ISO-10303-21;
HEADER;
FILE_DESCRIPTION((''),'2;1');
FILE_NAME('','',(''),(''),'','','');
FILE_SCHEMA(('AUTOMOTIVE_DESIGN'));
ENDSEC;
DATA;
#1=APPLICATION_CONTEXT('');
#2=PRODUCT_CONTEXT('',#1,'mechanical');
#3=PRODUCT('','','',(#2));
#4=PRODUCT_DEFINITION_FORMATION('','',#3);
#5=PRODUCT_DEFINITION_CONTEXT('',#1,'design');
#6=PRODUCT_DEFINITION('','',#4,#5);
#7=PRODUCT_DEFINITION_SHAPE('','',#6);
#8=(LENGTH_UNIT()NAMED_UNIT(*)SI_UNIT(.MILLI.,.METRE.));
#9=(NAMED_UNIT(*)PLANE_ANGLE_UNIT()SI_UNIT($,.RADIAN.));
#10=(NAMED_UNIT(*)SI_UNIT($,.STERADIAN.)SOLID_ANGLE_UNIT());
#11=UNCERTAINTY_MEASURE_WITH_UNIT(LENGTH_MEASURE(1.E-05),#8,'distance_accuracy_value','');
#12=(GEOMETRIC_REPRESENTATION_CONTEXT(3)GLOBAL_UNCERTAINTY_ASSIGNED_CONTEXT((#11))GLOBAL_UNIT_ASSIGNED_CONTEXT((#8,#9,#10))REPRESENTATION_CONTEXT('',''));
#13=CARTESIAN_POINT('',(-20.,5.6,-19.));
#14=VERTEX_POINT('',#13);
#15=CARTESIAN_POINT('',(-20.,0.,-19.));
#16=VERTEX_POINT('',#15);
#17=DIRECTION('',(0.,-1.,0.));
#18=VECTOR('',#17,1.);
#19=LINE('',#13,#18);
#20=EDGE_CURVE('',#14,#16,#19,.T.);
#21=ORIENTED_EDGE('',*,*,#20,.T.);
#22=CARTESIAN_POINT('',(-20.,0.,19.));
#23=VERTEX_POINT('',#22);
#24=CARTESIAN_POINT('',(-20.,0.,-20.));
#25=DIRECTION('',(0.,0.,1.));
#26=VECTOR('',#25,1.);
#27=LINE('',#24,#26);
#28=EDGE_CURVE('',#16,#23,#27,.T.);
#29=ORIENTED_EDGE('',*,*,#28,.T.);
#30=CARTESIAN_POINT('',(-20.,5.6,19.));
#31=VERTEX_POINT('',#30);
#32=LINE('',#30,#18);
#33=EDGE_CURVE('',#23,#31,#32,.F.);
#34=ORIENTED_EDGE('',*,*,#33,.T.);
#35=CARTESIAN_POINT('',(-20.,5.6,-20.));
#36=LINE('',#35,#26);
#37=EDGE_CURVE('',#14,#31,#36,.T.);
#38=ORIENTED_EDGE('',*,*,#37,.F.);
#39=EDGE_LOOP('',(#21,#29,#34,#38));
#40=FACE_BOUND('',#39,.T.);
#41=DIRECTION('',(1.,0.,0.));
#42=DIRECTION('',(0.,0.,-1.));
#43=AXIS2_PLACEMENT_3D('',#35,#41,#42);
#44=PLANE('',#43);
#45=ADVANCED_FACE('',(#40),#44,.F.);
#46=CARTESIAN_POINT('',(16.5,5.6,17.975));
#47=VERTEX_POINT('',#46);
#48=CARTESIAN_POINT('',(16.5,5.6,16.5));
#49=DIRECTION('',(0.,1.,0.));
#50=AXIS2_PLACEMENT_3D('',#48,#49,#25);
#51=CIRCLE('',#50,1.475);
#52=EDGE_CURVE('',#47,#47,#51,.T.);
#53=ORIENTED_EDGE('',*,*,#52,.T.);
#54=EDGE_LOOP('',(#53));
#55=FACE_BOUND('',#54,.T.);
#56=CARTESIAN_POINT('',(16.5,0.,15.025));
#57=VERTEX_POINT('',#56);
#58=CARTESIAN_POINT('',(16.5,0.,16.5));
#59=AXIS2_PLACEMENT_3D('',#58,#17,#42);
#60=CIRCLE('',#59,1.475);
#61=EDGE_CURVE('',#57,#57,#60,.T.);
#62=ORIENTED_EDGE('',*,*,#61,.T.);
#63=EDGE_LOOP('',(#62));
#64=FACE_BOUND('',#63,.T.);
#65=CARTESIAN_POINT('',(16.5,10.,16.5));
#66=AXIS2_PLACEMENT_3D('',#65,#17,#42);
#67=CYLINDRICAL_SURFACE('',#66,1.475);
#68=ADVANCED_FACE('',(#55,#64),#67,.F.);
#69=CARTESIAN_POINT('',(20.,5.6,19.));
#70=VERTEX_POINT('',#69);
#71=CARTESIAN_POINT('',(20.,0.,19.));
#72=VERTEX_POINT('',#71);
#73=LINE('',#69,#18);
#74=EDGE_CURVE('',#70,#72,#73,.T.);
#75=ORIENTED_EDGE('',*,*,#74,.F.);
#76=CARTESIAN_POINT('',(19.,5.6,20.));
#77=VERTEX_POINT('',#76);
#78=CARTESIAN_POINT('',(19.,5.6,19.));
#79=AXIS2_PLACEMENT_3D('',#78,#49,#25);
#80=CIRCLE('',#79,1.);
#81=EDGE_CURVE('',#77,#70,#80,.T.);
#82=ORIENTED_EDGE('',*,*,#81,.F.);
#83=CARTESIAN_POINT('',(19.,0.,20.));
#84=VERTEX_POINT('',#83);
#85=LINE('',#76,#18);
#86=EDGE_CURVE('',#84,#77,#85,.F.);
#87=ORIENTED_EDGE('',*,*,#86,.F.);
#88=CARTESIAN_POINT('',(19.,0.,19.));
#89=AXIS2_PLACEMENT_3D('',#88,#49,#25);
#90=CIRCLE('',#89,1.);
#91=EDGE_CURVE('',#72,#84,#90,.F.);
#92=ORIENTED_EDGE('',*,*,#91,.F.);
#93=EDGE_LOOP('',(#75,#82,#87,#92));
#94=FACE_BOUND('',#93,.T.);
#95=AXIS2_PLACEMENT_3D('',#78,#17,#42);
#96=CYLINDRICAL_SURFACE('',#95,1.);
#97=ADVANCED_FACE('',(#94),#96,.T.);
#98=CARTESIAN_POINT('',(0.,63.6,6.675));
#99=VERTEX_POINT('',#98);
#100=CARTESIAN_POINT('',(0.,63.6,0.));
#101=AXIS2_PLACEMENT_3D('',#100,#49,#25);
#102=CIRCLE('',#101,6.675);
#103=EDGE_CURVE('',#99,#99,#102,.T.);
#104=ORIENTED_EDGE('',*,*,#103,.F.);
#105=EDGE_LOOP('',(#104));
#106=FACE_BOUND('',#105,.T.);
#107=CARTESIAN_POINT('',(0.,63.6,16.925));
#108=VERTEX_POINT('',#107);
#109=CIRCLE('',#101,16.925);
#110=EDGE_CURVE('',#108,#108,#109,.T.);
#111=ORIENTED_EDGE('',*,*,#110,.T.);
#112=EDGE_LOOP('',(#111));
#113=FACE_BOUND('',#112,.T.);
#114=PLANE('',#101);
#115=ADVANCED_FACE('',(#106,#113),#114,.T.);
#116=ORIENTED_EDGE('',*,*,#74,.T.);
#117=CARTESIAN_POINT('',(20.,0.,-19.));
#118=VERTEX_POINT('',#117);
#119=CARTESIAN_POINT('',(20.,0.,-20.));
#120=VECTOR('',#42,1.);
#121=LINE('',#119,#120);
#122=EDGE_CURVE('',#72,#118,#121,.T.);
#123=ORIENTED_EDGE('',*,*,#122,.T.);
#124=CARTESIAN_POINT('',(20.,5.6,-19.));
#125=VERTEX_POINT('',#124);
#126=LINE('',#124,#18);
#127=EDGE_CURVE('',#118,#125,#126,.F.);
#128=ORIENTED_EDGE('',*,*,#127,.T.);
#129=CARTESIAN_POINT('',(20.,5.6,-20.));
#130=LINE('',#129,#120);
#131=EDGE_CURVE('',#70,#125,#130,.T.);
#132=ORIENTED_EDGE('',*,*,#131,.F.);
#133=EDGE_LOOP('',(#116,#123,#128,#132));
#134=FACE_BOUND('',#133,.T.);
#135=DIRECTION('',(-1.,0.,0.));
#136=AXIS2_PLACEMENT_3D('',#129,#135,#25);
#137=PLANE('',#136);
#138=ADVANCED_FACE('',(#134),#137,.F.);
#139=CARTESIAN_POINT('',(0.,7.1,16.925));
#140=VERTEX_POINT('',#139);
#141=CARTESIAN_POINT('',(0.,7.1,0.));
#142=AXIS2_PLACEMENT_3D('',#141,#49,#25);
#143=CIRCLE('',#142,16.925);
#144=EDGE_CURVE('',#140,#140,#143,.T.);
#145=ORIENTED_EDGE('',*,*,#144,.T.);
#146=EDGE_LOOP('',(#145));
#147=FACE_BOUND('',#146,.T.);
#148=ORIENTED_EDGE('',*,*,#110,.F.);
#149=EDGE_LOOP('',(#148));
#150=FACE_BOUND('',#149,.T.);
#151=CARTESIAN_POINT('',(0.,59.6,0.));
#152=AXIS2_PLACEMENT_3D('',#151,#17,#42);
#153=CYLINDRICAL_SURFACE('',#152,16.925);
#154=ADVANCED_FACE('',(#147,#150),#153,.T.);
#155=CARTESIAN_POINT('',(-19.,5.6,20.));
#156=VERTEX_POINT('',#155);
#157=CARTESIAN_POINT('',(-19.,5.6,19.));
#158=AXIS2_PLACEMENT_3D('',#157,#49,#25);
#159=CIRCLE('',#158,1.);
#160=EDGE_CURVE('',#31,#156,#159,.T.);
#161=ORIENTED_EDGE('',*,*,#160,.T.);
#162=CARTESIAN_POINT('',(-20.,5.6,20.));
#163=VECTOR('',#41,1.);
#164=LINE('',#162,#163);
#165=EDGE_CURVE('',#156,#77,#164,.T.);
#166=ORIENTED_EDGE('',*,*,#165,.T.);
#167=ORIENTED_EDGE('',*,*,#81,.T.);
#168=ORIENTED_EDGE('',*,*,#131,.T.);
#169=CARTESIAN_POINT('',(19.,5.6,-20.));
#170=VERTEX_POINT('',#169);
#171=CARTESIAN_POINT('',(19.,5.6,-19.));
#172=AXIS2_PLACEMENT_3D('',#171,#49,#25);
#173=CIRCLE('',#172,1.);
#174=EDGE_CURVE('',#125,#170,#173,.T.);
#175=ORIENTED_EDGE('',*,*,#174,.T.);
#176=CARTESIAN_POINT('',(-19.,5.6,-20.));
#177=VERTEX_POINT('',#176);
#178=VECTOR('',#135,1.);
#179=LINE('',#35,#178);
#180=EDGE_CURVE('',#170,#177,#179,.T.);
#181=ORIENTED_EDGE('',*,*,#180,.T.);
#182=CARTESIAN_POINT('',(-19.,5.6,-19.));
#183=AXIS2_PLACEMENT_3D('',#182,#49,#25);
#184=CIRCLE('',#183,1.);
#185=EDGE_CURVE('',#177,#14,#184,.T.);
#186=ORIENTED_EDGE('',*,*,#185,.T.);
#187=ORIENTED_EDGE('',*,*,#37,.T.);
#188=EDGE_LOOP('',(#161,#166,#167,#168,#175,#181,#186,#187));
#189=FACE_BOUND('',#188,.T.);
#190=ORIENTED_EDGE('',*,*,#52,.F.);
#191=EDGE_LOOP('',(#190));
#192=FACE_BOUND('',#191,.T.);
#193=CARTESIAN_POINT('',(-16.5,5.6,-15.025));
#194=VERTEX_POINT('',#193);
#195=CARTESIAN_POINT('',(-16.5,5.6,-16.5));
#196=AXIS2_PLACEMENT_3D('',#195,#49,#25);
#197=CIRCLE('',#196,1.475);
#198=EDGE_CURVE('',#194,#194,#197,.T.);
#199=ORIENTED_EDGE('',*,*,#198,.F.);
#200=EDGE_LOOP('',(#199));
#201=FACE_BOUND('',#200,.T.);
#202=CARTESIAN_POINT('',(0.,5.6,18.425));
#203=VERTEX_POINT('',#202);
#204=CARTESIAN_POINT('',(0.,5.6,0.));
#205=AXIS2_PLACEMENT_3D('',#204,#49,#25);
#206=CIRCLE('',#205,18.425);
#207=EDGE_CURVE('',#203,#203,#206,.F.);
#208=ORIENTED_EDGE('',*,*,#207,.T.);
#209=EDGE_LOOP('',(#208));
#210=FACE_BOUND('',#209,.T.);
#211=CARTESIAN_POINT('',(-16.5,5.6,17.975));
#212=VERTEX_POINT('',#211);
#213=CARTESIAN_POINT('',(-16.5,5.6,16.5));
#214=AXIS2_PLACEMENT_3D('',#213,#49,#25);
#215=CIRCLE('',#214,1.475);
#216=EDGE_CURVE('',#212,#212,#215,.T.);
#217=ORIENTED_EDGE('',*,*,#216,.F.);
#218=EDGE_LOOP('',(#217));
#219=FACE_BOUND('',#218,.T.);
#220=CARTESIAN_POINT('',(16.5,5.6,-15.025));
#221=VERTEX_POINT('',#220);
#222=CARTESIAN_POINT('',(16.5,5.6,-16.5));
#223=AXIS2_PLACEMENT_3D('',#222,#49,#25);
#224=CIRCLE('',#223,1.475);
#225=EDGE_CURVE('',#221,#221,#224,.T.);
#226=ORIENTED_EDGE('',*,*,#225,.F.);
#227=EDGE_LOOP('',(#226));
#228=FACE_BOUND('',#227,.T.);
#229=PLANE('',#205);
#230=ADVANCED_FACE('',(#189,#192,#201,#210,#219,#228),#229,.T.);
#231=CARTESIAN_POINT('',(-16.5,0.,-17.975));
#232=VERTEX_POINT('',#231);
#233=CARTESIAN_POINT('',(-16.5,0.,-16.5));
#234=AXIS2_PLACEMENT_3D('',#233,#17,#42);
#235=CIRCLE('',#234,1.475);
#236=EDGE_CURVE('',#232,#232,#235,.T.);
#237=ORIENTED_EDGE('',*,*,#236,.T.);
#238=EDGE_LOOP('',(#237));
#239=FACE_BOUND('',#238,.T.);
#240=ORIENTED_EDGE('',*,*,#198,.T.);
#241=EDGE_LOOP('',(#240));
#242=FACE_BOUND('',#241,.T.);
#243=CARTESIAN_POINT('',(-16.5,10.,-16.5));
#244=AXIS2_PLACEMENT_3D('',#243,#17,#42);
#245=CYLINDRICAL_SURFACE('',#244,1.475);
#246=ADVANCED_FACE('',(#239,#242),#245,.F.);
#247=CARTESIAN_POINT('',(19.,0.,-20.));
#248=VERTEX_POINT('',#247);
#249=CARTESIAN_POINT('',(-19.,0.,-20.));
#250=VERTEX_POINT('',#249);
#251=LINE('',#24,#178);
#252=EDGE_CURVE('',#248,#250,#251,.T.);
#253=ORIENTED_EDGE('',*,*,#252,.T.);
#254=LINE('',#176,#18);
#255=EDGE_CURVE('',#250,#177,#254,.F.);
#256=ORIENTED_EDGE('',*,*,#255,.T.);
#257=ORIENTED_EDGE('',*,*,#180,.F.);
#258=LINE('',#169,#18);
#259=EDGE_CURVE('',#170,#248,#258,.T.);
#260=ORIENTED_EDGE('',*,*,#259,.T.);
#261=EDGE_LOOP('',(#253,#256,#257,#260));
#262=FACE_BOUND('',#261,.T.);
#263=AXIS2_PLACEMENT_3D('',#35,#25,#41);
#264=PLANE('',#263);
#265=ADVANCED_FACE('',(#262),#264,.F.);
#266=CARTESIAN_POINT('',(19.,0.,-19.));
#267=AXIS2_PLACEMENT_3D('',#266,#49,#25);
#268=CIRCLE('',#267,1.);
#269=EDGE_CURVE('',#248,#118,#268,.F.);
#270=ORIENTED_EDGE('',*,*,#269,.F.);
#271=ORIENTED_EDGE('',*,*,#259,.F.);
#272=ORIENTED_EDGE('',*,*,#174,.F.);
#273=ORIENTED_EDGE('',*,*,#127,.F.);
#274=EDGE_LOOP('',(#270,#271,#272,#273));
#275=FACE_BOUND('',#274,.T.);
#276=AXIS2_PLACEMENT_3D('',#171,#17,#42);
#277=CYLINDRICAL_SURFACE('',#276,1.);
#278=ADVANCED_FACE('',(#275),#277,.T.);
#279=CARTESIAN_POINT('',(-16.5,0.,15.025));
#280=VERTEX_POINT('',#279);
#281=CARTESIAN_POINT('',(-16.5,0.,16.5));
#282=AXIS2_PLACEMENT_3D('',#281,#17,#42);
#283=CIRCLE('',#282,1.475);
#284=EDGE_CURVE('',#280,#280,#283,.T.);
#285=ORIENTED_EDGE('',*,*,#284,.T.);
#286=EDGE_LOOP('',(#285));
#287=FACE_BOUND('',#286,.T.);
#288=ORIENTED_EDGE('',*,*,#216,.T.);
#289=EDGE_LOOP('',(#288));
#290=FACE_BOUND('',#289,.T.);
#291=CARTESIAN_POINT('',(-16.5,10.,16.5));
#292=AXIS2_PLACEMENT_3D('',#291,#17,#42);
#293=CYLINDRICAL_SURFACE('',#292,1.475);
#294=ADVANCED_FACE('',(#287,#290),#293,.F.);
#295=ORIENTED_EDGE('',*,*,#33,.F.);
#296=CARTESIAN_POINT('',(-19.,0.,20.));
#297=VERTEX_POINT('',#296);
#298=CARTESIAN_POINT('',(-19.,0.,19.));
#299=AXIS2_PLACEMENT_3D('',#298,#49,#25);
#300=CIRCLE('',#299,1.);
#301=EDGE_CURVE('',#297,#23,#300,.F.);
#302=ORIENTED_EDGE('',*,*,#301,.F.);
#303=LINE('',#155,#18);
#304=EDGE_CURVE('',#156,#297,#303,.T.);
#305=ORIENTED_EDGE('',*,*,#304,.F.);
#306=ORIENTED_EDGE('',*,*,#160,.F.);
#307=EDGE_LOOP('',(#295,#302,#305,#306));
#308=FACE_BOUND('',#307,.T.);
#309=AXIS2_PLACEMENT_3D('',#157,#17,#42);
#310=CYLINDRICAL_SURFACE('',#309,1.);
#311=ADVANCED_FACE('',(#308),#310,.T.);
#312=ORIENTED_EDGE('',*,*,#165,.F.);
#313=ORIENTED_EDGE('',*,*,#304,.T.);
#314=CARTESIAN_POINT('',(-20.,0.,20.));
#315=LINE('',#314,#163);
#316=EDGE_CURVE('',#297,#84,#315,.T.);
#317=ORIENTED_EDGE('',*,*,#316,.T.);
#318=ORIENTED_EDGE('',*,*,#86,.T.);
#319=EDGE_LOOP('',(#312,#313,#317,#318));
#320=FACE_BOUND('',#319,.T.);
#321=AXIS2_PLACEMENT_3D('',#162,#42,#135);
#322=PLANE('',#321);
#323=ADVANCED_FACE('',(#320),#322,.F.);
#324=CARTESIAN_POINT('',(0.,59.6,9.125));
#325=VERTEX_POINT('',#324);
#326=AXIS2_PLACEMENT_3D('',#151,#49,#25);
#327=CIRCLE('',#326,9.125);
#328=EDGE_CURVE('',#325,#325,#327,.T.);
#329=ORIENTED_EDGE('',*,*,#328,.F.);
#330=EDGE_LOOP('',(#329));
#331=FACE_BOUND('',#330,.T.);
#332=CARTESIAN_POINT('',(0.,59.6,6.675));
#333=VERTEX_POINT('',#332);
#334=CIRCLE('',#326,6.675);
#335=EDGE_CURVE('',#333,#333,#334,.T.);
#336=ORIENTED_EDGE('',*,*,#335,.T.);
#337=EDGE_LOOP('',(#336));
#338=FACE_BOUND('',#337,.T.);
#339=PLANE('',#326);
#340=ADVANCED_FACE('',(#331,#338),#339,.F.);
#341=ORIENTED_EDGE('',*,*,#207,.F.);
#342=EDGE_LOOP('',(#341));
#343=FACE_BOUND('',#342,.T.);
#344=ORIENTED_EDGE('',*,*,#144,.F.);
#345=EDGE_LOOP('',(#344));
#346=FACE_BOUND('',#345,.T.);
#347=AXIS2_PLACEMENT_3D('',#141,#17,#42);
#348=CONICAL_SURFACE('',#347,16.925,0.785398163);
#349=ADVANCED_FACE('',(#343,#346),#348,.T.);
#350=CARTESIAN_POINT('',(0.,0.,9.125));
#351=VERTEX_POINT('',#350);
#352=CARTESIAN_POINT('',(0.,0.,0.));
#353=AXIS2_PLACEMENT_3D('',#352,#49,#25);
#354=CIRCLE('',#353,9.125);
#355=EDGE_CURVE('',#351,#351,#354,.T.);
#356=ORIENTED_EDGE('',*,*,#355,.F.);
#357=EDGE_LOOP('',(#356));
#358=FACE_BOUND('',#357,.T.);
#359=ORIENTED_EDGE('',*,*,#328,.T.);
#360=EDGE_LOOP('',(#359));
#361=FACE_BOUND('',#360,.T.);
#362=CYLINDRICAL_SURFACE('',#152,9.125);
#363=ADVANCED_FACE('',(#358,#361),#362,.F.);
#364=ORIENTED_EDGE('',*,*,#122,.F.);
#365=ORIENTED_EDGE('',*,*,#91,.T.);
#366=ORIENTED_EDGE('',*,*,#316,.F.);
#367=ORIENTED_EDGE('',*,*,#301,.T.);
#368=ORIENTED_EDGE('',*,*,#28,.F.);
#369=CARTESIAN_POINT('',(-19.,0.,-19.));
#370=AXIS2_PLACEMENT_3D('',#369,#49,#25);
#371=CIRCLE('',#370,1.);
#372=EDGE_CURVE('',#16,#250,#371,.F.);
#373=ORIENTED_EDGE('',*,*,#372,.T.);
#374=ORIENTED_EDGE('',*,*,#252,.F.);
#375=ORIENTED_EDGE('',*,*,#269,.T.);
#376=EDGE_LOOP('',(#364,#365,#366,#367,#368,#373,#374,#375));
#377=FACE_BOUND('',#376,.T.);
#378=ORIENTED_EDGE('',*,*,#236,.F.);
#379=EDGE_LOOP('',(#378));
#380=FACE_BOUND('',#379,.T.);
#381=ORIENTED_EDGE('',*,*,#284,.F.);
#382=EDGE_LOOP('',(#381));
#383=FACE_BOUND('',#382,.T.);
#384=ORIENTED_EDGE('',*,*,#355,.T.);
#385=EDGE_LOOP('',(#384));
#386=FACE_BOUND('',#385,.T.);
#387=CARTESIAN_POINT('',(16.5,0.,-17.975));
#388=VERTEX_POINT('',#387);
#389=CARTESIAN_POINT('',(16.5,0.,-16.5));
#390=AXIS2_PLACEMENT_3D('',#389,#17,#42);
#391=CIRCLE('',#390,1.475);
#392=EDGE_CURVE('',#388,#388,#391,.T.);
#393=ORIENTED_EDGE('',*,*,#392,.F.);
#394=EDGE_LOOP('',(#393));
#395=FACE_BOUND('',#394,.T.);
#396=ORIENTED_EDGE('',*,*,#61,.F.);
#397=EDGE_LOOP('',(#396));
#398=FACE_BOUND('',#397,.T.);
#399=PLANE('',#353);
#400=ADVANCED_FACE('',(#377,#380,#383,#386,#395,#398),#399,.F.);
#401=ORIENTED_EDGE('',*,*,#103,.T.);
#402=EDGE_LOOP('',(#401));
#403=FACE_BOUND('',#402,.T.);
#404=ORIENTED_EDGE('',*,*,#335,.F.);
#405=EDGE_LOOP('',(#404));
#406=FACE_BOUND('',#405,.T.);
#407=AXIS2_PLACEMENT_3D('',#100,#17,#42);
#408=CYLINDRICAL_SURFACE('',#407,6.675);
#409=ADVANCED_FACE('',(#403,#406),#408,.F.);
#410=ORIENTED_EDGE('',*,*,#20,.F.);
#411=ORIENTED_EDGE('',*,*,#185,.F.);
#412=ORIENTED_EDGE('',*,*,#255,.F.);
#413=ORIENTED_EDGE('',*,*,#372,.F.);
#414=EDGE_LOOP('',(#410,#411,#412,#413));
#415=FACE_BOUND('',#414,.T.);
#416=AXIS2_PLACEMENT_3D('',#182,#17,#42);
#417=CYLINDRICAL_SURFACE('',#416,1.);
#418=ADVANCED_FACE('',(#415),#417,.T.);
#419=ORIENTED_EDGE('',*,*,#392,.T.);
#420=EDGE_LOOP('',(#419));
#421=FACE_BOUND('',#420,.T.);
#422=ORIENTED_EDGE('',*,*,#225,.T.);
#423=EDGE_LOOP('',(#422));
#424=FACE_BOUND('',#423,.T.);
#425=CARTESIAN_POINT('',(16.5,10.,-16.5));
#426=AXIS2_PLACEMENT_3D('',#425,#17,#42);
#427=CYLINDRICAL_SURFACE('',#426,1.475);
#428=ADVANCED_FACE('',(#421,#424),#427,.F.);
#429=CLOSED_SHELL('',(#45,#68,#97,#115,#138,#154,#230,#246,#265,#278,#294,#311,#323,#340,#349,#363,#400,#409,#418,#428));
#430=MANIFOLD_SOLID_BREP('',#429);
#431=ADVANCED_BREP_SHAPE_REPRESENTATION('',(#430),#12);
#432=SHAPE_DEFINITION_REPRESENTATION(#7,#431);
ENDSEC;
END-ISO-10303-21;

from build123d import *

# Parameters (mm, degrees)
SKETCH1_W           = 40
SKETCH1_H           = 40
BOSS_EXTRUDE1_DEPTH = 5.6
SKETCH2_R           = 16.925
SKETCH2_R_2         = 9.125
BOSS_EXTRUDE2_DEPTH = 54
SKETCH3_R           = 1.475
CUT_EXTRUDE1_DEPTH  = 10
FILLET1_R           = 1
CHAMFER1_SIZE       = 1.5
CUT_EXTRUDE2_START  = -10
SKETCH4_R           = 9.125
CUT_EXTRUDE2_DEPTH  = 10
SKETCH5_R           = 16.925
SKETCH5_R_2         = 6.675
BOSS_EXTRUDE3_DEPTH = 4


with BuildPart() as part:
    # Sketch1 → Boss-Extrude1 (new body)
    with BuildSketch(Plane(origin=(0, 0, 0), x_dir=(1, 0, 0), z_dir=(0, 1, 0))):
        Rectangle(SKETCH1_W, SKETCH1_H)
    extrude(amount=BOSS_EXTRUDE1_DEPTH)

    # Sketch2 → Boss-Extrude2 (add)
    with BuildSketch(Plane(origin=(0, 5.6, 0), x_dir=(1, 0, 0), z_dir=(0, 1, 0))):
        with Locations(Location((0, 0, 0), (0, 0, 270))):
            Circle(SKETCH2_R)
        with Locations(Location((0, 0, 0), (0, 0, 270))):
            Circle(SKETCH2_R_2, mode=Mode.SUBTRACT)
    extrude(amount=BOSS_EXTRUDE2_DEPTH)

    # Sketch3 → Cut-Extrude1 (cut)
    with BuildSketch(Plane.XZ):
        with Locations(Location((-16.5, -16.5, 0), (0, 0, 270))):
            Circle(SKETCH3_R)
        with Locations(Location((-16.5, 16.5, 0), (0, 0, 270))):
            Circle(SKETCH3_R)
        with Locations(Location((16.5, 16.5, 0), (0, 0, 270))):
            Circle(SKETCH3_R)
        with Locations(Location((16.5, -16.5, 0), (0, 0, 270))):
            Circle(SKETCH3_R)
    extrude(amount=-CUT_EXTRUDE1_DEPTH, mode=Mode.SUBTRACT)

    # Fillet1
    fillet1_edges = [part.edges().sort_by_distance(p)[0] for p in [
        (20, 2.8, 20),
        (-20, 2.8, 20),
        (-20, 2.8, -20),
        (20, 2.8, -20),
    ]]
    fillet(fillet1_edges, radius=FILLET1_R)

    # Chamfer1
    chamfer1_edges = [part.edges().sort_by_distance(p)[0] for p in [
        (0, 5.6, -16.925),
    ]]
    chamfer(chamfer1_edges, length=CHAMFER1_SIZE)

    # Sketch4 → Cut-Extrude2 (cut)
    with BuildSketch(Plane(origin=(0, 5.6, 0), x_dir=(1, 0, 0), z_dir=(0, 1, 0)).offset(CUT_EXTRUDE2_START)):
        with Locations(Location((0, 0, 0), (0, 0, 270))):
            Circle(SKETCH4_R)
    extrude(amount=CUT_EXTRUDE2_DEPTH, mode=Mode.SUBTRACT)

    # Sketch5 → Boss-Extrude3 (add)
    with BuildSketch(Plane(origin=(0, 59.6, 0), x_dir=(1, 0, 0), z_dir=(0, 1, 0))):
        with Locations(Location((0, 0, 0), (0, 0, 270))):
            Circle(SKETCH5_R)
        with Locations(Location((0, 0, 0), (0, 0, 270))):
            Circle(SKETCH5_R_2, mode=Mode.SUBTRACT)
    extrude(amount=BOSS_EXTRUDE3_DEPTH)


solid = part.part
